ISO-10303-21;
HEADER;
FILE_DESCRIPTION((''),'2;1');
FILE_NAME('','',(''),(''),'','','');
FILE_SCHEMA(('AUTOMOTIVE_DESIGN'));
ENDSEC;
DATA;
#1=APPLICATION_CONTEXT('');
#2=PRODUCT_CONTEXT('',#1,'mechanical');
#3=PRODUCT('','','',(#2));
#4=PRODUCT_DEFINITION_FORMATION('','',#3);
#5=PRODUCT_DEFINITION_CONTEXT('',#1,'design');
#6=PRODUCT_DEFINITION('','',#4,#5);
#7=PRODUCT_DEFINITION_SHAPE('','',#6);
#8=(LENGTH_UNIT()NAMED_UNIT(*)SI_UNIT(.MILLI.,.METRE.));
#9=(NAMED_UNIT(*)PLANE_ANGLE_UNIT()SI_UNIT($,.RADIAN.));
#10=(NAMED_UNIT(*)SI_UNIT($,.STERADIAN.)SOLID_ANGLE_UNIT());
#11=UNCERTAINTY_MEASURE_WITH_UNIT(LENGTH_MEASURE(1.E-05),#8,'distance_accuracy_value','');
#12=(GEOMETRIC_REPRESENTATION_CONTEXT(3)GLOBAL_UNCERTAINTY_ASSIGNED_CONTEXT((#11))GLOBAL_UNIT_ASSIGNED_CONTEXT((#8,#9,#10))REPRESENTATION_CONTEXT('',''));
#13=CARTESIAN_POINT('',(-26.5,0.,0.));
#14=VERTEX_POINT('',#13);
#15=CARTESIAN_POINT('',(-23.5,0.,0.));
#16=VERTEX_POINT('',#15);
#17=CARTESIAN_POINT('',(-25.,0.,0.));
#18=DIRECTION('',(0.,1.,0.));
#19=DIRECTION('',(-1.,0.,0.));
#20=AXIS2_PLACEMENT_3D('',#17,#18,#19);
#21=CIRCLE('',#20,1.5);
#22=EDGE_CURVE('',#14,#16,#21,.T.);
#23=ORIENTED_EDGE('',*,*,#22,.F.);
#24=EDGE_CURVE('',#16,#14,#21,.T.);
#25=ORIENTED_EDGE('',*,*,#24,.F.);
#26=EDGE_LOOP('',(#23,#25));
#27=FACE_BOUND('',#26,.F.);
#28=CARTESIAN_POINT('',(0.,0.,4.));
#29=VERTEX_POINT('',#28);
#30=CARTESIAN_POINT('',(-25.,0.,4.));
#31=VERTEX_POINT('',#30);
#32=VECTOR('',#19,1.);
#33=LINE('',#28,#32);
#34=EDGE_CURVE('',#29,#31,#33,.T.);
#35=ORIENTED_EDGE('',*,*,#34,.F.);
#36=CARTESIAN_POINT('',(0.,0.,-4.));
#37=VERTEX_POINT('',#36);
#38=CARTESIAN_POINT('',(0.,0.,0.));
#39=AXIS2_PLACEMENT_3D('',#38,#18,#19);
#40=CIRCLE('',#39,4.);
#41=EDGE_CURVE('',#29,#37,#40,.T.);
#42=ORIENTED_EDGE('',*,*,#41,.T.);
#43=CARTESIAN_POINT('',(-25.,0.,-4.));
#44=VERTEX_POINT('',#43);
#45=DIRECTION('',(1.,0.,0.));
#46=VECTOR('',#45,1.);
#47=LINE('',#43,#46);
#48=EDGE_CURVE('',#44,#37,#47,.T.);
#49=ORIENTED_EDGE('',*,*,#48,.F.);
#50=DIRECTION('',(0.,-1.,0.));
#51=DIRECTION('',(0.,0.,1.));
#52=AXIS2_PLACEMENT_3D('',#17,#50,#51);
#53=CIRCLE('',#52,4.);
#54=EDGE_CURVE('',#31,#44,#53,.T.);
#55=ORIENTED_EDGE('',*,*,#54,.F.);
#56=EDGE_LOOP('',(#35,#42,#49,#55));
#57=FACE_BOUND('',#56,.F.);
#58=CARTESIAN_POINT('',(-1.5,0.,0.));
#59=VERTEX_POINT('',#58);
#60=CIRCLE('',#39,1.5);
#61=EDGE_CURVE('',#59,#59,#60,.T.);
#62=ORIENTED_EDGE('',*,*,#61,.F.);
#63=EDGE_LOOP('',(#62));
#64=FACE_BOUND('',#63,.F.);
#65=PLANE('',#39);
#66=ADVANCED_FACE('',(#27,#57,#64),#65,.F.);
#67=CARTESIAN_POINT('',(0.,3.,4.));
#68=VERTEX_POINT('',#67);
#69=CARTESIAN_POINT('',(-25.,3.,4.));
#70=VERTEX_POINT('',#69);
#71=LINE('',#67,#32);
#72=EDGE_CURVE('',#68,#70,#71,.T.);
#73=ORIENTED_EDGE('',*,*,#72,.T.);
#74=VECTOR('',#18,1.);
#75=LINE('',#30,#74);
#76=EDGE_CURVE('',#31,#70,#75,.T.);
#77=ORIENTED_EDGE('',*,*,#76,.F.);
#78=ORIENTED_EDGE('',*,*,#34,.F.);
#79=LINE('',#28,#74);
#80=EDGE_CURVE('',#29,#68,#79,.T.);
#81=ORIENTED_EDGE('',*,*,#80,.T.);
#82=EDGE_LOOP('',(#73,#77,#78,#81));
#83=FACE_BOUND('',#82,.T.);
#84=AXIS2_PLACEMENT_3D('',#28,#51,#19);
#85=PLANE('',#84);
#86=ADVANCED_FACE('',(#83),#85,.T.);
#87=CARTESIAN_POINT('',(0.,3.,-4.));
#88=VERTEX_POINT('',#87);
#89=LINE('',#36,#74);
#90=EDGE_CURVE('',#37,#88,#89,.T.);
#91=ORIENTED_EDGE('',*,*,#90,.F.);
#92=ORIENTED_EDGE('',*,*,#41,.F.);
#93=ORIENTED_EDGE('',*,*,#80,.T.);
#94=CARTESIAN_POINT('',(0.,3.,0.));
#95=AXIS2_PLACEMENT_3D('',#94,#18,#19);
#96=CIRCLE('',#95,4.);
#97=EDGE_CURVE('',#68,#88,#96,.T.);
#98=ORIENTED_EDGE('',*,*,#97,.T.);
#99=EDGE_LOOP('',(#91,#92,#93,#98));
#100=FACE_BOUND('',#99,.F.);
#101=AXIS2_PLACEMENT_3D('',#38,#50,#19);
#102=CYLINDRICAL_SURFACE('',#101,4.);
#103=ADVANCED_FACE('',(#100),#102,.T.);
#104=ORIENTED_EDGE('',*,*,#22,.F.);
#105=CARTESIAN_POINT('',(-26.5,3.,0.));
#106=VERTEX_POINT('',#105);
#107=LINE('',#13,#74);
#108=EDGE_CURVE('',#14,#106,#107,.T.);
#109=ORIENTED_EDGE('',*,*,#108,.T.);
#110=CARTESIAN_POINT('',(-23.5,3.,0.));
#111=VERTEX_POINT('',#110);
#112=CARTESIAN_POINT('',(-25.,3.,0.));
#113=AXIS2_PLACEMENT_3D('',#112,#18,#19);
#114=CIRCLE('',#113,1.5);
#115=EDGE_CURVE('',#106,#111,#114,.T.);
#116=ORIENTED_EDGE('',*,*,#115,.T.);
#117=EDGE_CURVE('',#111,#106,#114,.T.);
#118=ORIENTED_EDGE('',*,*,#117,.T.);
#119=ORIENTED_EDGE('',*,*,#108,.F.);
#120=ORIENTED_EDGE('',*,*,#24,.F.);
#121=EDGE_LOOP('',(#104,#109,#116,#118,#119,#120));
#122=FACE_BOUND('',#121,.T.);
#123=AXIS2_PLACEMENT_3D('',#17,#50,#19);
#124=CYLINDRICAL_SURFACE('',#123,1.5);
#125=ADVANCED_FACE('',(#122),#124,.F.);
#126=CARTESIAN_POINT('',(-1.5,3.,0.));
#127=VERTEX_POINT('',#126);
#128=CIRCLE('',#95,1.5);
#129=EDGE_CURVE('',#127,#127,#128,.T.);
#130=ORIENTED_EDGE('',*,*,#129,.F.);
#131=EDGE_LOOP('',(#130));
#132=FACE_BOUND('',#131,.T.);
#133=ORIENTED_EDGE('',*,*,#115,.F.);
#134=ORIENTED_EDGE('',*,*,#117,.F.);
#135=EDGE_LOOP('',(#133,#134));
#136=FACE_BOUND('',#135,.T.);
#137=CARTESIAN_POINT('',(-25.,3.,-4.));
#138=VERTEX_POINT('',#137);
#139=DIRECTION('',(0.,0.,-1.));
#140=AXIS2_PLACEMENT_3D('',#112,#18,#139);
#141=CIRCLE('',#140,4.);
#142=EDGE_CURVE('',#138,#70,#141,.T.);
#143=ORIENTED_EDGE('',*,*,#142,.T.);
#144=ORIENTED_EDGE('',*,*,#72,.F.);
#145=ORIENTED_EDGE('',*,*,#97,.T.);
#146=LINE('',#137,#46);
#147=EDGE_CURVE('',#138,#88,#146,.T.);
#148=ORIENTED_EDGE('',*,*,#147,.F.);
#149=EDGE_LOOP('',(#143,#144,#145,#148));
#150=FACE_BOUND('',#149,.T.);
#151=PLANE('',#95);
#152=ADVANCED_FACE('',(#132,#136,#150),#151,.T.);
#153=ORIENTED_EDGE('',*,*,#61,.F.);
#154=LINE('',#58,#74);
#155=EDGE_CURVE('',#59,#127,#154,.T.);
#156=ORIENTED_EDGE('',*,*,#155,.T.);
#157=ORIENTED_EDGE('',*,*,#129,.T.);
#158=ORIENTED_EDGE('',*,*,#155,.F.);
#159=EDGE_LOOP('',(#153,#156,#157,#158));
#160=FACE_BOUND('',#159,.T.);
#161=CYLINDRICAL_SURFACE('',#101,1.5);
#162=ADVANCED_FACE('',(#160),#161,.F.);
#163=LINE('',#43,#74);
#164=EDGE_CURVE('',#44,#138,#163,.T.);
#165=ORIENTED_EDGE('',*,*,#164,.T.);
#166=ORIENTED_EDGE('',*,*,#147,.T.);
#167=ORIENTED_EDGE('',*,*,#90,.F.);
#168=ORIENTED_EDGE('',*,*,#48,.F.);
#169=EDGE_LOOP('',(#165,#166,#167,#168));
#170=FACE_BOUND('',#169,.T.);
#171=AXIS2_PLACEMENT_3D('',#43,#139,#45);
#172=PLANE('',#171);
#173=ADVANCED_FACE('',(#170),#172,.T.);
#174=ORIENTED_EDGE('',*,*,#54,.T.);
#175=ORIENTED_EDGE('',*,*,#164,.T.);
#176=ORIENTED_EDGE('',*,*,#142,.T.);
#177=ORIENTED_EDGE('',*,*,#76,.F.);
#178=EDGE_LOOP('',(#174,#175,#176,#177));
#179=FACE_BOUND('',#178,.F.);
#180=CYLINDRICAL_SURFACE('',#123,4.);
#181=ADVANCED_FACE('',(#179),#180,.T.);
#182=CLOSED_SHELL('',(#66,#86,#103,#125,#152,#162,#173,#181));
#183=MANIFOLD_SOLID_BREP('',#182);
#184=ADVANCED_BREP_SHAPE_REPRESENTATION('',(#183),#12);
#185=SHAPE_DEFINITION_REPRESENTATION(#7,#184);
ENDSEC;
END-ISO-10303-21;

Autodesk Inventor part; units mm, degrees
ref_plane "YZ Plane" through (0, 0, 0) normal (1, 0, 0) x (0, 1, 0)
ref_plane "XZ Plane" through (0, 0, 0) normal (0, 1, 0) x (-1, 0, 0)
ref_plane "XY Plane" through (0, 0, 0) normal (0, 0, 1) x (1, 0, 0)
sketch "Sketch1" plane through (0, 0, 0) normal (0, 1, 0) x (-1, 0, 0)
  circle A0 centre (0, 0) radius 1.5
  circle A1 centre (0, 0) radius 4
  line L0 (0, 0) -> (25, 0)
  circle A2 centre (25, 0) radius 4
  circle A3 centre (25, 0) radius 1.5
  line L1 (25, -4) -> (0, -4)
  line L2 (0, 4) -> (25, 4)
  dimension "d0" = 3
  dimension "d1" = 8
  dimension "d4" = 25
  dimension "d5" = 8
  dimension "d6" = 3
extrude "Extrusion1" add sketch "Sketch1" along normal blind 3
properties part number "bar2"
